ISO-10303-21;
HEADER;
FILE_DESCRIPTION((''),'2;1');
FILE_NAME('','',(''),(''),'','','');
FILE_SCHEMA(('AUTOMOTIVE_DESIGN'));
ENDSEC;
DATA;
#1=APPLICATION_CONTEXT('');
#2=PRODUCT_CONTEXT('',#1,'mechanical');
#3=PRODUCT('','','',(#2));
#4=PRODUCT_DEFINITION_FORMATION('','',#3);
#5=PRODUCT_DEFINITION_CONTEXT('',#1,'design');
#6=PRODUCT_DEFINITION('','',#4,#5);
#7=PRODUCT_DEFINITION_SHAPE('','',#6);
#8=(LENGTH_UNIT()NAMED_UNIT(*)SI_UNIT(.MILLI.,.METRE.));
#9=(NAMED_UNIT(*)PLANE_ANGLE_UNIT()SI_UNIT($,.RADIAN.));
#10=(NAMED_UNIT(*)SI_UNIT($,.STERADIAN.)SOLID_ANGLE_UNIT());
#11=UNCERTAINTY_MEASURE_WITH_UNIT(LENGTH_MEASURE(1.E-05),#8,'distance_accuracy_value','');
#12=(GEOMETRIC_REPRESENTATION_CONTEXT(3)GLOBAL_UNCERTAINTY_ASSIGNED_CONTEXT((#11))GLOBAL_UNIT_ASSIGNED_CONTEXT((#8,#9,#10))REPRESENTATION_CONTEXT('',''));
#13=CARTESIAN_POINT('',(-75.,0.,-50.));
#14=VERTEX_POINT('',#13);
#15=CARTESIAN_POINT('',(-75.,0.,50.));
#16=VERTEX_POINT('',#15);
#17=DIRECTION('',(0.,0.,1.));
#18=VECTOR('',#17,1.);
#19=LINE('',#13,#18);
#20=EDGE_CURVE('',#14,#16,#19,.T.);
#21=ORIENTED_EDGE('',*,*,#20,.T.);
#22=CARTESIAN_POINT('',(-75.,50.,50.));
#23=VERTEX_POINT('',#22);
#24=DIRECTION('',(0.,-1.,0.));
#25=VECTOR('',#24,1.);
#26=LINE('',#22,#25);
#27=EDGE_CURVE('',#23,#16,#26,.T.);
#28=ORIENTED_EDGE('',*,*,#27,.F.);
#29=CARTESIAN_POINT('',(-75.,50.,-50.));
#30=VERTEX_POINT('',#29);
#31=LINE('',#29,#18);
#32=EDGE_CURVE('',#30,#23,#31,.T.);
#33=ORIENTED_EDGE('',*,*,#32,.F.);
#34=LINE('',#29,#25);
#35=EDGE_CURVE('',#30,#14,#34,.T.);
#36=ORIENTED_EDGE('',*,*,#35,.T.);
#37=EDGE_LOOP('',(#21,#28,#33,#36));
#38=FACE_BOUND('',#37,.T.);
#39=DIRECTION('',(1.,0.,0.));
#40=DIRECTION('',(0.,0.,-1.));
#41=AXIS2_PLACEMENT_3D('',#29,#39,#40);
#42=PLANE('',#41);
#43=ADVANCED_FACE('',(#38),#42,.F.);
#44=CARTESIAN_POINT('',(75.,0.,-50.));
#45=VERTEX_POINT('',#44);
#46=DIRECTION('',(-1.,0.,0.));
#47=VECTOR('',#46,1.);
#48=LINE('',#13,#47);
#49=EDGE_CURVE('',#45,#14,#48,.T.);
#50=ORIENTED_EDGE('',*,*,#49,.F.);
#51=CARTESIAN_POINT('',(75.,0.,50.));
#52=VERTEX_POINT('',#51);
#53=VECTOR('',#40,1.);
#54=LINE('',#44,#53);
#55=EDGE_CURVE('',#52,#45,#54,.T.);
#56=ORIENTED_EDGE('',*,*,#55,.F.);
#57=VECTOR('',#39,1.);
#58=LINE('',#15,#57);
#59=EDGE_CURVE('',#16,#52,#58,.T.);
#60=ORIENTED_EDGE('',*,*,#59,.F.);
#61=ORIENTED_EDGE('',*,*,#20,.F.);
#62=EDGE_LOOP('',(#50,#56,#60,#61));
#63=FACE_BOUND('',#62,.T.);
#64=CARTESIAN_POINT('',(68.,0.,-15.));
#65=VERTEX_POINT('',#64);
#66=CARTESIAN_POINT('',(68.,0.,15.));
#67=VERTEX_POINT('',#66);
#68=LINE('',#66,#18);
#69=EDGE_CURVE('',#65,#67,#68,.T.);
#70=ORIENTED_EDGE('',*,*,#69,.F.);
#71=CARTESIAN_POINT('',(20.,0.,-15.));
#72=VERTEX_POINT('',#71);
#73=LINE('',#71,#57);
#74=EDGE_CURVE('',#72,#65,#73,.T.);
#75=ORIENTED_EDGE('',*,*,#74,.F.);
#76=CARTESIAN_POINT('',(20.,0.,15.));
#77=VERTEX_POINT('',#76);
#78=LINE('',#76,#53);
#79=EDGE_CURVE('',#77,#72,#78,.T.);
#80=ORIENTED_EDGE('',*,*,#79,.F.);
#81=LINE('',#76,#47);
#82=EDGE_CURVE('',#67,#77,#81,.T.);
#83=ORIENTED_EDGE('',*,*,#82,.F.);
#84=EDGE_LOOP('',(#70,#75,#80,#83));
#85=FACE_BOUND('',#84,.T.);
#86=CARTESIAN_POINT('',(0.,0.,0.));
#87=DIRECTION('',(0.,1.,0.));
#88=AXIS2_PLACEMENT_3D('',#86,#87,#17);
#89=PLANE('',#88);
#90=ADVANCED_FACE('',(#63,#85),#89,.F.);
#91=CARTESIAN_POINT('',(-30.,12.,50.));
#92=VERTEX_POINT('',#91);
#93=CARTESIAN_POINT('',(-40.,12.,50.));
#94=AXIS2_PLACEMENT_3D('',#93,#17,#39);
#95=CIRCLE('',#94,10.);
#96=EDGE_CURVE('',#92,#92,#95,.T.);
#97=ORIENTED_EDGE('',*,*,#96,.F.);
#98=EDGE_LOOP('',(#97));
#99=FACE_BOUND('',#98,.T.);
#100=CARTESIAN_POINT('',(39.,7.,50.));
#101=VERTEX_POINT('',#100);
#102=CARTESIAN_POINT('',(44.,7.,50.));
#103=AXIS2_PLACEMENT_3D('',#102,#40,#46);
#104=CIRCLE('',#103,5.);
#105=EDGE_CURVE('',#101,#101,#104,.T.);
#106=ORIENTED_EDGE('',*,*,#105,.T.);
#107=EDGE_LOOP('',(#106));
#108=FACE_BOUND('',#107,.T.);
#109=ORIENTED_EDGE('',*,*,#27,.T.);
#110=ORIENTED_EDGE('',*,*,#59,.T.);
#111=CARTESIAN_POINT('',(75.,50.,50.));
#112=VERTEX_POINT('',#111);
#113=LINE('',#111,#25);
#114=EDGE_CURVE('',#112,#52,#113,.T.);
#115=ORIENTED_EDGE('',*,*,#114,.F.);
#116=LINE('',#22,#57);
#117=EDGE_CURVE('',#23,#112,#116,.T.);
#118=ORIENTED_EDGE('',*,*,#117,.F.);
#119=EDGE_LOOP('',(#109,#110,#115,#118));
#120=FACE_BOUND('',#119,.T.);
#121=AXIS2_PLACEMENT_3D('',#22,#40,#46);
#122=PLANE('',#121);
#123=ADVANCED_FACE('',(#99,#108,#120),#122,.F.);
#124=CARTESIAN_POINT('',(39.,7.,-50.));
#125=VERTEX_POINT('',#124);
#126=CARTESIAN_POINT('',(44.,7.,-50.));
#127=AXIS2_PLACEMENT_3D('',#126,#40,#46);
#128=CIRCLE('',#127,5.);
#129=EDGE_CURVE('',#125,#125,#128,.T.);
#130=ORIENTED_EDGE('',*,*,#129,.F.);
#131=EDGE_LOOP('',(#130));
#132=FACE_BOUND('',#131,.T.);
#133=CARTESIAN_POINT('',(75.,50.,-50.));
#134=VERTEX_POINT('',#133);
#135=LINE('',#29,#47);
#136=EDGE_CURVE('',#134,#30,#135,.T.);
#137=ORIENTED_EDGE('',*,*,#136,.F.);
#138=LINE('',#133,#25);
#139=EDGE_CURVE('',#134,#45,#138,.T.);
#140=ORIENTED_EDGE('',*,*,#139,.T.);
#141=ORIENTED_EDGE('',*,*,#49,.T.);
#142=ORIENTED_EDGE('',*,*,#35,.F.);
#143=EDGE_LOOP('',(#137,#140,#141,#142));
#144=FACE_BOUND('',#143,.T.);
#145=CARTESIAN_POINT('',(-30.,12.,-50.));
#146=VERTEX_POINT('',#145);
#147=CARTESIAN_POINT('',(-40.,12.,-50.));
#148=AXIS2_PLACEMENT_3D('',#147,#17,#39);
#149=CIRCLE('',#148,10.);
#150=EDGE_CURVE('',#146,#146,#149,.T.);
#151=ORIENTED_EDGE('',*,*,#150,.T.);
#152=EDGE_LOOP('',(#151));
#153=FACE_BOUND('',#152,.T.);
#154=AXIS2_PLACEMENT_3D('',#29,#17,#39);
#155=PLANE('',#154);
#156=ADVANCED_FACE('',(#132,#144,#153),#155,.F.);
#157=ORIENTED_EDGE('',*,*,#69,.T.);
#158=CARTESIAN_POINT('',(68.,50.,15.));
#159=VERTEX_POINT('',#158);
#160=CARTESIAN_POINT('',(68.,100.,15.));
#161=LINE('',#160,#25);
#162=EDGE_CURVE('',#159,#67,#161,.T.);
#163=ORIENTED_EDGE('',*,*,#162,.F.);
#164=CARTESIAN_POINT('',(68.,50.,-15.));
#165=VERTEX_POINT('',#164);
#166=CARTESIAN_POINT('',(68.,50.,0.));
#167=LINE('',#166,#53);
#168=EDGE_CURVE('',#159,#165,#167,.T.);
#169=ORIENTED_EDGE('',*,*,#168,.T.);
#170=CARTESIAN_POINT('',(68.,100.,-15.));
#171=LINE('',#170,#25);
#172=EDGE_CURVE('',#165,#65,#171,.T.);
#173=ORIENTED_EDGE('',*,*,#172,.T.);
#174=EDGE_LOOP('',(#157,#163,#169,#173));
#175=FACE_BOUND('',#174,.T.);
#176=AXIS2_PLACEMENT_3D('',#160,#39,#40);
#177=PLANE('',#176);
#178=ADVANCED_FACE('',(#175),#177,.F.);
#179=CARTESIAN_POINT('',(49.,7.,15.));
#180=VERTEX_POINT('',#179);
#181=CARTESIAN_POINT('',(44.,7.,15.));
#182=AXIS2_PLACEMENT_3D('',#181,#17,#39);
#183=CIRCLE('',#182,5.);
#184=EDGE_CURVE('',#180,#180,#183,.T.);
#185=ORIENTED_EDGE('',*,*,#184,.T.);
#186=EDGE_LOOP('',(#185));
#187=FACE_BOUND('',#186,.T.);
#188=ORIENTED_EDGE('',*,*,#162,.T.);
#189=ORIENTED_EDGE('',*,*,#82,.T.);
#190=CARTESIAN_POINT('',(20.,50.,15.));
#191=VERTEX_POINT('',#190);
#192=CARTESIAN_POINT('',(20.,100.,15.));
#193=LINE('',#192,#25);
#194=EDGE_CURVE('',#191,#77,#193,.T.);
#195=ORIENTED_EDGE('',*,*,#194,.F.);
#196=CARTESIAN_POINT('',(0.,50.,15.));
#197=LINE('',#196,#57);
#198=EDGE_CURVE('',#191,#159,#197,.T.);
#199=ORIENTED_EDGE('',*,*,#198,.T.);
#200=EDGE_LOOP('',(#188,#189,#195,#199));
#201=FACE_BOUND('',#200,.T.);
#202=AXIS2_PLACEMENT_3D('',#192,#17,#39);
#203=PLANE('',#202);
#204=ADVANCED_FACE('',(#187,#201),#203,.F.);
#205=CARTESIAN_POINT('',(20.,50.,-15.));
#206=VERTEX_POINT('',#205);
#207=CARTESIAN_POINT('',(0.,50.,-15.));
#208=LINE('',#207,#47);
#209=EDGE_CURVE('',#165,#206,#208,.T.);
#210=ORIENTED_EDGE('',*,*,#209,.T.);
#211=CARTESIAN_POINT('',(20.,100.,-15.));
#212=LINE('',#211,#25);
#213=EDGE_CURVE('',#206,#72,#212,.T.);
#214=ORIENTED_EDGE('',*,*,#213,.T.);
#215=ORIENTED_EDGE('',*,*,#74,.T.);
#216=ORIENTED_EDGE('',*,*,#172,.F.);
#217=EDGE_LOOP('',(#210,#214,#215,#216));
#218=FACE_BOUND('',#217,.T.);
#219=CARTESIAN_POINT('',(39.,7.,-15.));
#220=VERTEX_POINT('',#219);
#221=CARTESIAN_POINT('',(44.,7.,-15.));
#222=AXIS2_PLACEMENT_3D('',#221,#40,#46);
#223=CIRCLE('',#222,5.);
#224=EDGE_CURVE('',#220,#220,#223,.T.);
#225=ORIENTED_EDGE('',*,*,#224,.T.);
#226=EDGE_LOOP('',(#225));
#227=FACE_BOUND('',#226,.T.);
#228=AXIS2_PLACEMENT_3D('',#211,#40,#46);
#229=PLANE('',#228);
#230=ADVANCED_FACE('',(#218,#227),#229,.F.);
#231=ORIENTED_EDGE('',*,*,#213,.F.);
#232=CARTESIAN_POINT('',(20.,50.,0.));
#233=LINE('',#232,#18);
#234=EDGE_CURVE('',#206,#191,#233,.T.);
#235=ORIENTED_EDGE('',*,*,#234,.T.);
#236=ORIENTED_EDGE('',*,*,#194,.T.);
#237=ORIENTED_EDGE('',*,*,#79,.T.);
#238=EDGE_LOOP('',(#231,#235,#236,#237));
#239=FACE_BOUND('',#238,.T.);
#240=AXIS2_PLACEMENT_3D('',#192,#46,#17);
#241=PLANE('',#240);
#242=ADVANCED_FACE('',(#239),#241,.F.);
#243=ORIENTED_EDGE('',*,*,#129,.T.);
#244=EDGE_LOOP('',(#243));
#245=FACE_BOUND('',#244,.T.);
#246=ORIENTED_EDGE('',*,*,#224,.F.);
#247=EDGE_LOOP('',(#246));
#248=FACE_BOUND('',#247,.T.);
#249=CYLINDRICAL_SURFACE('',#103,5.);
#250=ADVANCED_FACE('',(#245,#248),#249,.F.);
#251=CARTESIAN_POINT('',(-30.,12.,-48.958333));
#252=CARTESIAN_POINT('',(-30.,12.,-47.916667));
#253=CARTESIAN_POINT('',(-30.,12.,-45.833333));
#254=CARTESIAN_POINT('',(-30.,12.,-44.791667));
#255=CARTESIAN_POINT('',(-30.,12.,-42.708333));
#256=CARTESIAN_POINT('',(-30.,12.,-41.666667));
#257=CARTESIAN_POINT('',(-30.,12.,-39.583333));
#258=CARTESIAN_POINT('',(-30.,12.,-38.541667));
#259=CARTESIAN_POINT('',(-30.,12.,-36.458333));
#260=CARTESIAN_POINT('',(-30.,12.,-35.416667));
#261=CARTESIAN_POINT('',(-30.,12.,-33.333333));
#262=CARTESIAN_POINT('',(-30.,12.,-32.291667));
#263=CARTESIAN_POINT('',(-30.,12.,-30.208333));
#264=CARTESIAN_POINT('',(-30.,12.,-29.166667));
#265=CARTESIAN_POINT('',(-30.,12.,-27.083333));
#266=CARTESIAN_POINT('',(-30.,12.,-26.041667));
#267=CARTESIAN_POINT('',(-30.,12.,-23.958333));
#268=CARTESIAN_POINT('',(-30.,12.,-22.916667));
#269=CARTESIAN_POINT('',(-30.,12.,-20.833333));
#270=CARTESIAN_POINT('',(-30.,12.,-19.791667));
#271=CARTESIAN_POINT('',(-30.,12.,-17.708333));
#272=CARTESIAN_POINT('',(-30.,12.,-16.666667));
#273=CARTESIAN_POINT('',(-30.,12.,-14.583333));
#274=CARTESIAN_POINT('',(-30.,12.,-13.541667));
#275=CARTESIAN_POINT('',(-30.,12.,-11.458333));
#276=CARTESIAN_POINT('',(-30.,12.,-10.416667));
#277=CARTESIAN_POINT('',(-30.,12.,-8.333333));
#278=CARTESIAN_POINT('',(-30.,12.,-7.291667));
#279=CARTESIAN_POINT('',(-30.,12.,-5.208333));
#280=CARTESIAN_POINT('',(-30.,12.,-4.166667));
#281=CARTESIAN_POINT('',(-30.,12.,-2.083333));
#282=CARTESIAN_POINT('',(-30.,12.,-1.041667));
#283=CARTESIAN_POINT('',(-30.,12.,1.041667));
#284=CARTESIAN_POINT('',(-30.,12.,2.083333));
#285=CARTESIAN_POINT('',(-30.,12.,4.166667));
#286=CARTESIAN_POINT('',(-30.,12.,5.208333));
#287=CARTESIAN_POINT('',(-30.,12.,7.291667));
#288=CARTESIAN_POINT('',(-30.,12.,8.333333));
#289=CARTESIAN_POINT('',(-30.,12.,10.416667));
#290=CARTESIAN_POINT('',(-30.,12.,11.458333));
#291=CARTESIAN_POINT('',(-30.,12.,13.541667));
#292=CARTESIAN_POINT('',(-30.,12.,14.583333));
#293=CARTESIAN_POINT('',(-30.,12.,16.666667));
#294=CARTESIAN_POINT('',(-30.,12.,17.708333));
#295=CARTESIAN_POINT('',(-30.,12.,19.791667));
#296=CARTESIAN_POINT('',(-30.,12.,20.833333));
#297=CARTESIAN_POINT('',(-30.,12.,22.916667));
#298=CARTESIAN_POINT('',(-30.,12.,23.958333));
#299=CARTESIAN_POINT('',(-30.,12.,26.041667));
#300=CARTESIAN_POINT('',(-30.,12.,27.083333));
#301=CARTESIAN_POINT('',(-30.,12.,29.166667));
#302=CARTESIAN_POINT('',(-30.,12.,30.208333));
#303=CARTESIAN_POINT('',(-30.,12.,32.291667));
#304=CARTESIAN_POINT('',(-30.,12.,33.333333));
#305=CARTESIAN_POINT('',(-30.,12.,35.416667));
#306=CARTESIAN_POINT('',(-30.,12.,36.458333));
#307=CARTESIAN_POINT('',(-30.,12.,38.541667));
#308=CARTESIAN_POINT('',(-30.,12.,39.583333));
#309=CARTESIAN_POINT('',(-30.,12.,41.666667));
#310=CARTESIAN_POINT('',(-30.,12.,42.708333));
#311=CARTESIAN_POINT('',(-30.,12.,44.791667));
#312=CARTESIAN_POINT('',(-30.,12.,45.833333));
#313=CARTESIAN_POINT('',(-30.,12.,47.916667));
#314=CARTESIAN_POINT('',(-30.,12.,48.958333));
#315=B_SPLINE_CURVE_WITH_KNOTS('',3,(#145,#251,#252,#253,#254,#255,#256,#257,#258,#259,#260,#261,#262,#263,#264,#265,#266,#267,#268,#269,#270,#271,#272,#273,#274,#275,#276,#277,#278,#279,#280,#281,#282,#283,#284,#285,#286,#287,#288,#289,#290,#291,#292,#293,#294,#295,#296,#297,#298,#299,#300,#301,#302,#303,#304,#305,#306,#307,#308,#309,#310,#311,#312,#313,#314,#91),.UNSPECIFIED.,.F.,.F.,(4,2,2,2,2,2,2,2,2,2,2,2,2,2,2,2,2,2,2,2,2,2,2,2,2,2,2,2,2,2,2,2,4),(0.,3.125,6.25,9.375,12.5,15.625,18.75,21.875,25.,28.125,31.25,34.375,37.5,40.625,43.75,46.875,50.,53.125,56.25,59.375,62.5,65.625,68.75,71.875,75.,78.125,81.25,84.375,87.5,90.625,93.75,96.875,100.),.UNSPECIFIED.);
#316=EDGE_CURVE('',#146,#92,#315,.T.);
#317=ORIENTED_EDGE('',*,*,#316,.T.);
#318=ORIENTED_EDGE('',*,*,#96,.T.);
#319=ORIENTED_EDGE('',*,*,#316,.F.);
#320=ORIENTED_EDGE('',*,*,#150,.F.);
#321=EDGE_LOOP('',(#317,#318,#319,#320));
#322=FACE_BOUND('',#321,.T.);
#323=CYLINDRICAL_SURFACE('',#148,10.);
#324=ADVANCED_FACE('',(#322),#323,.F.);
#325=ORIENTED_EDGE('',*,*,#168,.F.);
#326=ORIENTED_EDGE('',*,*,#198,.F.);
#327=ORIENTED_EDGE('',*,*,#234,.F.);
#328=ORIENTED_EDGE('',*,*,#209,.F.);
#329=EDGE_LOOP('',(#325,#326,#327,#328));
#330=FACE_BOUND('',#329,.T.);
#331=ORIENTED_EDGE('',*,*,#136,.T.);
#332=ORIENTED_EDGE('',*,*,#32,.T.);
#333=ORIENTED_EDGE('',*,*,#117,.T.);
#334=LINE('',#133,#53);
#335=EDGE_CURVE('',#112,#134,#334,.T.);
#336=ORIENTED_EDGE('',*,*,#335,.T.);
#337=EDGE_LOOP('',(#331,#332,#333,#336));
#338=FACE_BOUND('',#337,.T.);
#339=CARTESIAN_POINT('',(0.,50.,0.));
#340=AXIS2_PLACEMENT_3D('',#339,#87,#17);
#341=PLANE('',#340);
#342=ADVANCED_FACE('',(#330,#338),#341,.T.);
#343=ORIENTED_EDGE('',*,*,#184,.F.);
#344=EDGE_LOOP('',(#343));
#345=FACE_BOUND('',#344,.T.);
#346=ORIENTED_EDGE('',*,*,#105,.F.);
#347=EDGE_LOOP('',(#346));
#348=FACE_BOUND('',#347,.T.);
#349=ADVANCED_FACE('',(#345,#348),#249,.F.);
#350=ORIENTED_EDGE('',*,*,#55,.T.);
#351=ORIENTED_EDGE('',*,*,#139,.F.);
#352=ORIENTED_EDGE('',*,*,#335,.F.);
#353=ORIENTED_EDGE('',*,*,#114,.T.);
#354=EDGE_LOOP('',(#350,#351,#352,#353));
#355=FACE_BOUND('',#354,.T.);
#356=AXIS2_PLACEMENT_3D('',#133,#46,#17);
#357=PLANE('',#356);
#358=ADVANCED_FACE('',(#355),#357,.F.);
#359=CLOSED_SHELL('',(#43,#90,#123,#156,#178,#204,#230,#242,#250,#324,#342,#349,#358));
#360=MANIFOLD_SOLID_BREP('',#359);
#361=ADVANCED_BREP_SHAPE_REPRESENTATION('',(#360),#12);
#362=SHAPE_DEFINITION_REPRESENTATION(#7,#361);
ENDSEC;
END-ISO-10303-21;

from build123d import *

# Parameters (mm, degrees)
SKETCH1_W               = 150
SKETCH1_H               = 100
BOSS_EXTRUDE1_DEPTH     = 50
SKETCH3_R               = 10
CUT_EXTRUDE1_DEPTH      = 100
SKETCH4_W               = 48
SKETCH4_H               = 30
CUT_EXTRUDE2_DEPTH      = 100
CUT_EXTRUDE3_DEPTH      = 112.130553854
CUT_EXTRUDE3_DEPTH_BACK = 112.130553854
SKETCH5_R               = 5


with BuildPart() as part:
    # Sketch1 → Boss-Extrude1 (new body)
    with BuildSketch(Plane(origin=(0, 0, 0), x_dir=(1, 0, 0), z_dir=(0, 1, 0))):
        Rectangle(SKETCH1_W, SKETCH1_H)
    extrude(amount=BOSS_EXTRUDE1_DEPTH)

    # Sketch3 → Cut-Extrude1 (cut)
    with BuildSketch(Plane.XY.offset(50)):
        with Locations((-40, 12)):
            Circle(SKETCH3_R)
    extrude(amount=-CUT_EXTRUDE1_DEPTH, mode=Mode.SUBTRACT)

    # Sketch4 → Cut-Extrude2 (cut)
    with BuildSketch(Plane.XZ):
        with Locations((44, 0)):
            Rectangle(SKETCH4_W, SKETCH4_H)
    extrude(amount=-CUT_EXTRUDE2_DEPTH, mode=Mode.SUBTRACT)

    # Sketch5 → Cut-Extrude3 (cut, two sides: drawn at the far end of the back side and taken through both)
    with BuildSketch(Plane(origin=(0, 0, 15), x_dir=(-1, 0, 0), z_dir=(0, 0, -1)).offset(-CUT_EXTRUDE3_DEPTH_BACK)):
        with Locations((-44, 7)):
            Circle(SKETCH5_R)
    extrude(amount=CUT_EXTRUDE3_DEPTH + CUT_EXTRUDE3_DEPTH_BACK, mode=Mode.SUBTRACT)


solid = part.part
